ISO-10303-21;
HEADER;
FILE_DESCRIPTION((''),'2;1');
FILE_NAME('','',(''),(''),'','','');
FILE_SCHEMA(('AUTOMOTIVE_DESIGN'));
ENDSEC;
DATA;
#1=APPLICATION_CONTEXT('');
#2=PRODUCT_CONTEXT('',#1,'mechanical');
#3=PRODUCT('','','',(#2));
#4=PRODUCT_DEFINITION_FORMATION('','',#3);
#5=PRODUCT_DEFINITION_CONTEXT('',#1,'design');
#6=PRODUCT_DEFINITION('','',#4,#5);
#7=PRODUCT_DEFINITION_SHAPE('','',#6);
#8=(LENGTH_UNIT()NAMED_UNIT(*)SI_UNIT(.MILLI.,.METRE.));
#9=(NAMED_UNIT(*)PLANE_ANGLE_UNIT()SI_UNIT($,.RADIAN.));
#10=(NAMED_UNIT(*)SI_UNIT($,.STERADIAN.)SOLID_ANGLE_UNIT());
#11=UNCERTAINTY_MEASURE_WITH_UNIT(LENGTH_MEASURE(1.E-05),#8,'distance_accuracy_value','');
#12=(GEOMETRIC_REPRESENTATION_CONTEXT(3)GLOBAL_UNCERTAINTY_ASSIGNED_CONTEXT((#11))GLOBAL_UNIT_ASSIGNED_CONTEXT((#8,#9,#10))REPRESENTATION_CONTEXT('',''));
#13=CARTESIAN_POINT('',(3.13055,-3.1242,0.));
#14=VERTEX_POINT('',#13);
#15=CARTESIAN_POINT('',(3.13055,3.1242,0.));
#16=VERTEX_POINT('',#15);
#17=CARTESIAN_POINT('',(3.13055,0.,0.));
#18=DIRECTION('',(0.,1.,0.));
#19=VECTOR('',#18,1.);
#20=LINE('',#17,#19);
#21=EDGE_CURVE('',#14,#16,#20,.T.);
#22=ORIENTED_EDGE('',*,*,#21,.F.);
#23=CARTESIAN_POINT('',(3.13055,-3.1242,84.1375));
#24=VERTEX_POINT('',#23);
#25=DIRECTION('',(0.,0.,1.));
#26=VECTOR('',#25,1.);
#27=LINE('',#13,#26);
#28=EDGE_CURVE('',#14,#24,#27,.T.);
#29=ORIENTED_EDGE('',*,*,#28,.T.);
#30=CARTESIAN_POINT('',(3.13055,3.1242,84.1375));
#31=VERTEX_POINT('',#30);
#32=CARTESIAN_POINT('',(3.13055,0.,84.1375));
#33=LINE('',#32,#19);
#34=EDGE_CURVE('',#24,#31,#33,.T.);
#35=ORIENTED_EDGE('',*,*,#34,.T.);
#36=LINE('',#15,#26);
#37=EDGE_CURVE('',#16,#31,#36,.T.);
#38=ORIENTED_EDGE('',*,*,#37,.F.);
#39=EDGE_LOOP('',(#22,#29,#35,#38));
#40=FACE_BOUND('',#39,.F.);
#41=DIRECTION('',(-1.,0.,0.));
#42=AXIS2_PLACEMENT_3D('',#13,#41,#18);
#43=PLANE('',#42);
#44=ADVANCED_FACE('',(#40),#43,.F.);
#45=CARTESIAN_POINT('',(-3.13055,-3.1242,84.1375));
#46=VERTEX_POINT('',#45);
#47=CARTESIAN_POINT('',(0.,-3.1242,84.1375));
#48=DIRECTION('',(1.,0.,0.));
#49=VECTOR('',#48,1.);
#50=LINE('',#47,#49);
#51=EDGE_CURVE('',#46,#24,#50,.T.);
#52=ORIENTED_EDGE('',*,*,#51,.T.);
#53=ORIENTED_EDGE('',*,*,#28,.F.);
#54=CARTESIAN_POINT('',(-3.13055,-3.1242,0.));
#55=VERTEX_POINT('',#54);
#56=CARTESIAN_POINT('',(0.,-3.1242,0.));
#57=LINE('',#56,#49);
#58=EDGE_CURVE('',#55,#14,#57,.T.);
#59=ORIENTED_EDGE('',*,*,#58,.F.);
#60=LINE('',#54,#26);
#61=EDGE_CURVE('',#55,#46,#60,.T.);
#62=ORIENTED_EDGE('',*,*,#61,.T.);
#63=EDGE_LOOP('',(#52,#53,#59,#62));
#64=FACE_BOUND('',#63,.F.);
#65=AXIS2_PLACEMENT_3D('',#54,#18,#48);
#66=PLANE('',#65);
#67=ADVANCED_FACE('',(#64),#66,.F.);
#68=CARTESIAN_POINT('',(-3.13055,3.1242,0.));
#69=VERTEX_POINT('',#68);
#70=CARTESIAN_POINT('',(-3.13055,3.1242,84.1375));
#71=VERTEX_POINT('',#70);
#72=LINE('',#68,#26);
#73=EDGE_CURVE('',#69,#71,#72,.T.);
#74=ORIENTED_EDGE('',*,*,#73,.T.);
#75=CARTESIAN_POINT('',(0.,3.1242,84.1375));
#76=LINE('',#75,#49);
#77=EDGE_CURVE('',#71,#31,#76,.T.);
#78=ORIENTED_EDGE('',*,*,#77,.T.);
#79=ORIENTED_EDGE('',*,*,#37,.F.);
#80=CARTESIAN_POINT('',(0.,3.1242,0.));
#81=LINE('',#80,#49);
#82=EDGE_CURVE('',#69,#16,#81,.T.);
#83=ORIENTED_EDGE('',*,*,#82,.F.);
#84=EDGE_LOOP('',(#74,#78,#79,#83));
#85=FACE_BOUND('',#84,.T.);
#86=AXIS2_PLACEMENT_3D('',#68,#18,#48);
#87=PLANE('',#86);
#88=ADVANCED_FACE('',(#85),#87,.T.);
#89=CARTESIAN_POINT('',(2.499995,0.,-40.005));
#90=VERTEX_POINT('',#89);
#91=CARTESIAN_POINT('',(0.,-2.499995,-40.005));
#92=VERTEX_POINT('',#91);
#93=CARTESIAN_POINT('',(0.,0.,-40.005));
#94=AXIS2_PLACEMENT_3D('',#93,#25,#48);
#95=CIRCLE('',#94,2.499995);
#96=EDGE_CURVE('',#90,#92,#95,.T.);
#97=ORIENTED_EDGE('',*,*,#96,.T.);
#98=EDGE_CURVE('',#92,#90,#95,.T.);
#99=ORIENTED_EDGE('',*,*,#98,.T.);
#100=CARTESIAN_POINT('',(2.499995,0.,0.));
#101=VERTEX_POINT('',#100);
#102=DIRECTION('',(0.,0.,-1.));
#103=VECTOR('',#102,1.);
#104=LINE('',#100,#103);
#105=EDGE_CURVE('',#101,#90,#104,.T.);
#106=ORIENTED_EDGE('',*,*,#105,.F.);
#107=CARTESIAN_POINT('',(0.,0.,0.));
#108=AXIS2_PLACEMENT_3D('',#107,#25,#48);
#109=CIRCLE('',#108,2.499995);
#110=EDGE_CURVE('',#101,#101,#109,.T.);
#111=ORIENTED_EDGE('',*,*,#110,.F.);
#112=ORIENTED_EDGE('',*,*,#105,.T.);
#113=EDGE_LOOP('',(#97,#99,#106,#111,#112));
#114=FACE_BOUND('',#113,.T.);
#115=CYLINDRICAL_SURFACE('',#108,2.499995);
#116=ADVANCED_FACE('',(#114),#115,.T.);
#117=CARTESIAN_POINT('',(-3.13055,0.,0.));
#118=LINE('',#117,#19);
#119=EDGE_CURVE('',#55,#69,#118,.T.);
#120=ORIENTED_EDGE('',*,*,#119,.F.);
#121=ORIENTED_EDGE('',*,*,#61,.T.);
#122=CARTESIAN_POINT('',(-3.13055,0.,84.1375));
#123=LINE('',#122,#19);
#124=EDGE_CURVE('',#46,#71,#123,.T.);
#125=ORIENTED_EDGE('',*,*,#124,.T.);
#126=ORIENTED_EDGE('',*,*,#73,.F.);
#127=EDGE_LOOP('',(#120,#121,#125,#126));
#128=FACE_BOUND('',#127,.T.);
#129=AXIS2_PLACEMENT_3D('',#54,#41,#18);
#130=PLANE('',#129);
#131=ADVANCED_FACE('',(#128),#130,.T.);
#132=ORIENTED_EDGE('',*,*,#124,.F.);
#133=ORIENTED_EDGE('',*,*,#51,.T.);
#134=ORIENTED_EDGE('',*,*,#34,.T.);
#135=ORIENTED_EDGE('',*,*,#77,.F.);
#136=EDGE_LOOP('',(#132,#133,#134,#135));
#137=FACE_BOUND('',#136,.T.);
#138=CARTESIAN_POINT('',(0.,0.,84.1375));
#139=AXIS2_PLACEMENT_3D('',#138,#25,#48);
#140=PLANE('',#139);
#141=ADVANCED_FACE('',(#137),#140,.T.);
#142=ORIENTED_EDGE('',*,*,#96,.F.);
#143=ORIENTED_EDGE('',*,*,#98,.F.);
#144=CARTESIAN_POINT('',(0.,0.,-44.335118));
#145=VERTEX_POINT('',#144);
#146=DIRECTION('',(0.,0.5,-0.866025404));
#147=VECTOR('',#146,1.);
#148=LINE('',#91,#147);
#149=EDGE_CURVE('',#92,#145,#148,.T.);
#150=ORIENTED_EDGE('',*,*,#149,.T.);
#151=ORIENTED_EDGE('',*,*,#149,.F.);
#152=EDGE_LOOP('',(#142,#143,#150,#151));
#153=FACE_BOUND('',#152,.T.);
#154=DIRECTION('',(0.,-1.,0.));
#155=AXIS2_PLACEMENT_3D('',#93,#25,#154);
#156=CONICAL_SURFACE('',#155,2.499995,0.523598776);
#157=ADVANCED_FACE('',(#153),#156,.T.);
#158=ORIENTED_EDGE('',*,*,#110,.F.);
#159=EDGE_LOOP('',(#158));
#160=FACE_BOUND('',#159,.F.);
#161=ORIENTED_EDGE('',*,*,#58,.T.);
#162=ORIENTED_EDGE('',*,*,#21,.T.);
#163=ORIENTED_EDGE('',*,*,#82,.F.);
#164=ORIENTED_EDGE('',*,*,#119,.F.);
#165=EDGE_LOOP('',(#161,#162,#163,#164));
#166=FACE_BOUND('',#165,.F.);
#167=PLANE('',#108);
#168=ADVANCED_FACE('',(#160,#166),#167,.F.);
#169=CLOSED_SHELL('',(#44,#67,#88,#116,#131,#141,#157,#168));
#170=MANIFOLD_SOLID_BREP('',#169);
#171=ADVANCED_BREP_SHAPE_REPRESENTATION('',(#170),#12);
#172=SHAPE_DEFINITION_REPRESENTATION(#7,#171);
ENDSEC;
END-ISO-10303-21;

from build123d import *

# Parameters (mm, degrees)
SKETCH1_W           = 6.2611
SKETCH1_H           = 6.2484
BOSS_EXTRUDE1_DEPTH = 84.1375
SKETCH1_4_R         = 2.499995
BOSS_EXTRUDE2_DEPTH = 40.005


with BuildPart() as part:
    # Sketch1 → Boss-Extrude1 (new body)
    with BuildSketch(Plane.XY):
        Rectangle(SKETCH1_W, SKETCH1_H)
    extrude(amount=BOSS_EXTRUDE1_DEPTH)

    # Sketch1<4> → Boss-Extrude2 (add)
    with BuildSketch(Plane.XY):
        Circle(SKETCH1_4_R)
    extrude(amount=-BOSS_EXTRUDE2_DEPTH)

    # Boss-Extrude3 cone 1 section (through the dimple's axis) → Boss-Extrude3 (revolve)
    with BuildSketch(Plane(origin=(0, 0, -40.005), x_dir=(0, -1, 0), z_dir=(1, 0, 0))):
        Polygon((0, 0), (2.499995, 0), (0, 4.330118359), align=None)
    revolve(axis=Axis((0, 0, -40.005), (0, 0, -1)))


solid = part.part
